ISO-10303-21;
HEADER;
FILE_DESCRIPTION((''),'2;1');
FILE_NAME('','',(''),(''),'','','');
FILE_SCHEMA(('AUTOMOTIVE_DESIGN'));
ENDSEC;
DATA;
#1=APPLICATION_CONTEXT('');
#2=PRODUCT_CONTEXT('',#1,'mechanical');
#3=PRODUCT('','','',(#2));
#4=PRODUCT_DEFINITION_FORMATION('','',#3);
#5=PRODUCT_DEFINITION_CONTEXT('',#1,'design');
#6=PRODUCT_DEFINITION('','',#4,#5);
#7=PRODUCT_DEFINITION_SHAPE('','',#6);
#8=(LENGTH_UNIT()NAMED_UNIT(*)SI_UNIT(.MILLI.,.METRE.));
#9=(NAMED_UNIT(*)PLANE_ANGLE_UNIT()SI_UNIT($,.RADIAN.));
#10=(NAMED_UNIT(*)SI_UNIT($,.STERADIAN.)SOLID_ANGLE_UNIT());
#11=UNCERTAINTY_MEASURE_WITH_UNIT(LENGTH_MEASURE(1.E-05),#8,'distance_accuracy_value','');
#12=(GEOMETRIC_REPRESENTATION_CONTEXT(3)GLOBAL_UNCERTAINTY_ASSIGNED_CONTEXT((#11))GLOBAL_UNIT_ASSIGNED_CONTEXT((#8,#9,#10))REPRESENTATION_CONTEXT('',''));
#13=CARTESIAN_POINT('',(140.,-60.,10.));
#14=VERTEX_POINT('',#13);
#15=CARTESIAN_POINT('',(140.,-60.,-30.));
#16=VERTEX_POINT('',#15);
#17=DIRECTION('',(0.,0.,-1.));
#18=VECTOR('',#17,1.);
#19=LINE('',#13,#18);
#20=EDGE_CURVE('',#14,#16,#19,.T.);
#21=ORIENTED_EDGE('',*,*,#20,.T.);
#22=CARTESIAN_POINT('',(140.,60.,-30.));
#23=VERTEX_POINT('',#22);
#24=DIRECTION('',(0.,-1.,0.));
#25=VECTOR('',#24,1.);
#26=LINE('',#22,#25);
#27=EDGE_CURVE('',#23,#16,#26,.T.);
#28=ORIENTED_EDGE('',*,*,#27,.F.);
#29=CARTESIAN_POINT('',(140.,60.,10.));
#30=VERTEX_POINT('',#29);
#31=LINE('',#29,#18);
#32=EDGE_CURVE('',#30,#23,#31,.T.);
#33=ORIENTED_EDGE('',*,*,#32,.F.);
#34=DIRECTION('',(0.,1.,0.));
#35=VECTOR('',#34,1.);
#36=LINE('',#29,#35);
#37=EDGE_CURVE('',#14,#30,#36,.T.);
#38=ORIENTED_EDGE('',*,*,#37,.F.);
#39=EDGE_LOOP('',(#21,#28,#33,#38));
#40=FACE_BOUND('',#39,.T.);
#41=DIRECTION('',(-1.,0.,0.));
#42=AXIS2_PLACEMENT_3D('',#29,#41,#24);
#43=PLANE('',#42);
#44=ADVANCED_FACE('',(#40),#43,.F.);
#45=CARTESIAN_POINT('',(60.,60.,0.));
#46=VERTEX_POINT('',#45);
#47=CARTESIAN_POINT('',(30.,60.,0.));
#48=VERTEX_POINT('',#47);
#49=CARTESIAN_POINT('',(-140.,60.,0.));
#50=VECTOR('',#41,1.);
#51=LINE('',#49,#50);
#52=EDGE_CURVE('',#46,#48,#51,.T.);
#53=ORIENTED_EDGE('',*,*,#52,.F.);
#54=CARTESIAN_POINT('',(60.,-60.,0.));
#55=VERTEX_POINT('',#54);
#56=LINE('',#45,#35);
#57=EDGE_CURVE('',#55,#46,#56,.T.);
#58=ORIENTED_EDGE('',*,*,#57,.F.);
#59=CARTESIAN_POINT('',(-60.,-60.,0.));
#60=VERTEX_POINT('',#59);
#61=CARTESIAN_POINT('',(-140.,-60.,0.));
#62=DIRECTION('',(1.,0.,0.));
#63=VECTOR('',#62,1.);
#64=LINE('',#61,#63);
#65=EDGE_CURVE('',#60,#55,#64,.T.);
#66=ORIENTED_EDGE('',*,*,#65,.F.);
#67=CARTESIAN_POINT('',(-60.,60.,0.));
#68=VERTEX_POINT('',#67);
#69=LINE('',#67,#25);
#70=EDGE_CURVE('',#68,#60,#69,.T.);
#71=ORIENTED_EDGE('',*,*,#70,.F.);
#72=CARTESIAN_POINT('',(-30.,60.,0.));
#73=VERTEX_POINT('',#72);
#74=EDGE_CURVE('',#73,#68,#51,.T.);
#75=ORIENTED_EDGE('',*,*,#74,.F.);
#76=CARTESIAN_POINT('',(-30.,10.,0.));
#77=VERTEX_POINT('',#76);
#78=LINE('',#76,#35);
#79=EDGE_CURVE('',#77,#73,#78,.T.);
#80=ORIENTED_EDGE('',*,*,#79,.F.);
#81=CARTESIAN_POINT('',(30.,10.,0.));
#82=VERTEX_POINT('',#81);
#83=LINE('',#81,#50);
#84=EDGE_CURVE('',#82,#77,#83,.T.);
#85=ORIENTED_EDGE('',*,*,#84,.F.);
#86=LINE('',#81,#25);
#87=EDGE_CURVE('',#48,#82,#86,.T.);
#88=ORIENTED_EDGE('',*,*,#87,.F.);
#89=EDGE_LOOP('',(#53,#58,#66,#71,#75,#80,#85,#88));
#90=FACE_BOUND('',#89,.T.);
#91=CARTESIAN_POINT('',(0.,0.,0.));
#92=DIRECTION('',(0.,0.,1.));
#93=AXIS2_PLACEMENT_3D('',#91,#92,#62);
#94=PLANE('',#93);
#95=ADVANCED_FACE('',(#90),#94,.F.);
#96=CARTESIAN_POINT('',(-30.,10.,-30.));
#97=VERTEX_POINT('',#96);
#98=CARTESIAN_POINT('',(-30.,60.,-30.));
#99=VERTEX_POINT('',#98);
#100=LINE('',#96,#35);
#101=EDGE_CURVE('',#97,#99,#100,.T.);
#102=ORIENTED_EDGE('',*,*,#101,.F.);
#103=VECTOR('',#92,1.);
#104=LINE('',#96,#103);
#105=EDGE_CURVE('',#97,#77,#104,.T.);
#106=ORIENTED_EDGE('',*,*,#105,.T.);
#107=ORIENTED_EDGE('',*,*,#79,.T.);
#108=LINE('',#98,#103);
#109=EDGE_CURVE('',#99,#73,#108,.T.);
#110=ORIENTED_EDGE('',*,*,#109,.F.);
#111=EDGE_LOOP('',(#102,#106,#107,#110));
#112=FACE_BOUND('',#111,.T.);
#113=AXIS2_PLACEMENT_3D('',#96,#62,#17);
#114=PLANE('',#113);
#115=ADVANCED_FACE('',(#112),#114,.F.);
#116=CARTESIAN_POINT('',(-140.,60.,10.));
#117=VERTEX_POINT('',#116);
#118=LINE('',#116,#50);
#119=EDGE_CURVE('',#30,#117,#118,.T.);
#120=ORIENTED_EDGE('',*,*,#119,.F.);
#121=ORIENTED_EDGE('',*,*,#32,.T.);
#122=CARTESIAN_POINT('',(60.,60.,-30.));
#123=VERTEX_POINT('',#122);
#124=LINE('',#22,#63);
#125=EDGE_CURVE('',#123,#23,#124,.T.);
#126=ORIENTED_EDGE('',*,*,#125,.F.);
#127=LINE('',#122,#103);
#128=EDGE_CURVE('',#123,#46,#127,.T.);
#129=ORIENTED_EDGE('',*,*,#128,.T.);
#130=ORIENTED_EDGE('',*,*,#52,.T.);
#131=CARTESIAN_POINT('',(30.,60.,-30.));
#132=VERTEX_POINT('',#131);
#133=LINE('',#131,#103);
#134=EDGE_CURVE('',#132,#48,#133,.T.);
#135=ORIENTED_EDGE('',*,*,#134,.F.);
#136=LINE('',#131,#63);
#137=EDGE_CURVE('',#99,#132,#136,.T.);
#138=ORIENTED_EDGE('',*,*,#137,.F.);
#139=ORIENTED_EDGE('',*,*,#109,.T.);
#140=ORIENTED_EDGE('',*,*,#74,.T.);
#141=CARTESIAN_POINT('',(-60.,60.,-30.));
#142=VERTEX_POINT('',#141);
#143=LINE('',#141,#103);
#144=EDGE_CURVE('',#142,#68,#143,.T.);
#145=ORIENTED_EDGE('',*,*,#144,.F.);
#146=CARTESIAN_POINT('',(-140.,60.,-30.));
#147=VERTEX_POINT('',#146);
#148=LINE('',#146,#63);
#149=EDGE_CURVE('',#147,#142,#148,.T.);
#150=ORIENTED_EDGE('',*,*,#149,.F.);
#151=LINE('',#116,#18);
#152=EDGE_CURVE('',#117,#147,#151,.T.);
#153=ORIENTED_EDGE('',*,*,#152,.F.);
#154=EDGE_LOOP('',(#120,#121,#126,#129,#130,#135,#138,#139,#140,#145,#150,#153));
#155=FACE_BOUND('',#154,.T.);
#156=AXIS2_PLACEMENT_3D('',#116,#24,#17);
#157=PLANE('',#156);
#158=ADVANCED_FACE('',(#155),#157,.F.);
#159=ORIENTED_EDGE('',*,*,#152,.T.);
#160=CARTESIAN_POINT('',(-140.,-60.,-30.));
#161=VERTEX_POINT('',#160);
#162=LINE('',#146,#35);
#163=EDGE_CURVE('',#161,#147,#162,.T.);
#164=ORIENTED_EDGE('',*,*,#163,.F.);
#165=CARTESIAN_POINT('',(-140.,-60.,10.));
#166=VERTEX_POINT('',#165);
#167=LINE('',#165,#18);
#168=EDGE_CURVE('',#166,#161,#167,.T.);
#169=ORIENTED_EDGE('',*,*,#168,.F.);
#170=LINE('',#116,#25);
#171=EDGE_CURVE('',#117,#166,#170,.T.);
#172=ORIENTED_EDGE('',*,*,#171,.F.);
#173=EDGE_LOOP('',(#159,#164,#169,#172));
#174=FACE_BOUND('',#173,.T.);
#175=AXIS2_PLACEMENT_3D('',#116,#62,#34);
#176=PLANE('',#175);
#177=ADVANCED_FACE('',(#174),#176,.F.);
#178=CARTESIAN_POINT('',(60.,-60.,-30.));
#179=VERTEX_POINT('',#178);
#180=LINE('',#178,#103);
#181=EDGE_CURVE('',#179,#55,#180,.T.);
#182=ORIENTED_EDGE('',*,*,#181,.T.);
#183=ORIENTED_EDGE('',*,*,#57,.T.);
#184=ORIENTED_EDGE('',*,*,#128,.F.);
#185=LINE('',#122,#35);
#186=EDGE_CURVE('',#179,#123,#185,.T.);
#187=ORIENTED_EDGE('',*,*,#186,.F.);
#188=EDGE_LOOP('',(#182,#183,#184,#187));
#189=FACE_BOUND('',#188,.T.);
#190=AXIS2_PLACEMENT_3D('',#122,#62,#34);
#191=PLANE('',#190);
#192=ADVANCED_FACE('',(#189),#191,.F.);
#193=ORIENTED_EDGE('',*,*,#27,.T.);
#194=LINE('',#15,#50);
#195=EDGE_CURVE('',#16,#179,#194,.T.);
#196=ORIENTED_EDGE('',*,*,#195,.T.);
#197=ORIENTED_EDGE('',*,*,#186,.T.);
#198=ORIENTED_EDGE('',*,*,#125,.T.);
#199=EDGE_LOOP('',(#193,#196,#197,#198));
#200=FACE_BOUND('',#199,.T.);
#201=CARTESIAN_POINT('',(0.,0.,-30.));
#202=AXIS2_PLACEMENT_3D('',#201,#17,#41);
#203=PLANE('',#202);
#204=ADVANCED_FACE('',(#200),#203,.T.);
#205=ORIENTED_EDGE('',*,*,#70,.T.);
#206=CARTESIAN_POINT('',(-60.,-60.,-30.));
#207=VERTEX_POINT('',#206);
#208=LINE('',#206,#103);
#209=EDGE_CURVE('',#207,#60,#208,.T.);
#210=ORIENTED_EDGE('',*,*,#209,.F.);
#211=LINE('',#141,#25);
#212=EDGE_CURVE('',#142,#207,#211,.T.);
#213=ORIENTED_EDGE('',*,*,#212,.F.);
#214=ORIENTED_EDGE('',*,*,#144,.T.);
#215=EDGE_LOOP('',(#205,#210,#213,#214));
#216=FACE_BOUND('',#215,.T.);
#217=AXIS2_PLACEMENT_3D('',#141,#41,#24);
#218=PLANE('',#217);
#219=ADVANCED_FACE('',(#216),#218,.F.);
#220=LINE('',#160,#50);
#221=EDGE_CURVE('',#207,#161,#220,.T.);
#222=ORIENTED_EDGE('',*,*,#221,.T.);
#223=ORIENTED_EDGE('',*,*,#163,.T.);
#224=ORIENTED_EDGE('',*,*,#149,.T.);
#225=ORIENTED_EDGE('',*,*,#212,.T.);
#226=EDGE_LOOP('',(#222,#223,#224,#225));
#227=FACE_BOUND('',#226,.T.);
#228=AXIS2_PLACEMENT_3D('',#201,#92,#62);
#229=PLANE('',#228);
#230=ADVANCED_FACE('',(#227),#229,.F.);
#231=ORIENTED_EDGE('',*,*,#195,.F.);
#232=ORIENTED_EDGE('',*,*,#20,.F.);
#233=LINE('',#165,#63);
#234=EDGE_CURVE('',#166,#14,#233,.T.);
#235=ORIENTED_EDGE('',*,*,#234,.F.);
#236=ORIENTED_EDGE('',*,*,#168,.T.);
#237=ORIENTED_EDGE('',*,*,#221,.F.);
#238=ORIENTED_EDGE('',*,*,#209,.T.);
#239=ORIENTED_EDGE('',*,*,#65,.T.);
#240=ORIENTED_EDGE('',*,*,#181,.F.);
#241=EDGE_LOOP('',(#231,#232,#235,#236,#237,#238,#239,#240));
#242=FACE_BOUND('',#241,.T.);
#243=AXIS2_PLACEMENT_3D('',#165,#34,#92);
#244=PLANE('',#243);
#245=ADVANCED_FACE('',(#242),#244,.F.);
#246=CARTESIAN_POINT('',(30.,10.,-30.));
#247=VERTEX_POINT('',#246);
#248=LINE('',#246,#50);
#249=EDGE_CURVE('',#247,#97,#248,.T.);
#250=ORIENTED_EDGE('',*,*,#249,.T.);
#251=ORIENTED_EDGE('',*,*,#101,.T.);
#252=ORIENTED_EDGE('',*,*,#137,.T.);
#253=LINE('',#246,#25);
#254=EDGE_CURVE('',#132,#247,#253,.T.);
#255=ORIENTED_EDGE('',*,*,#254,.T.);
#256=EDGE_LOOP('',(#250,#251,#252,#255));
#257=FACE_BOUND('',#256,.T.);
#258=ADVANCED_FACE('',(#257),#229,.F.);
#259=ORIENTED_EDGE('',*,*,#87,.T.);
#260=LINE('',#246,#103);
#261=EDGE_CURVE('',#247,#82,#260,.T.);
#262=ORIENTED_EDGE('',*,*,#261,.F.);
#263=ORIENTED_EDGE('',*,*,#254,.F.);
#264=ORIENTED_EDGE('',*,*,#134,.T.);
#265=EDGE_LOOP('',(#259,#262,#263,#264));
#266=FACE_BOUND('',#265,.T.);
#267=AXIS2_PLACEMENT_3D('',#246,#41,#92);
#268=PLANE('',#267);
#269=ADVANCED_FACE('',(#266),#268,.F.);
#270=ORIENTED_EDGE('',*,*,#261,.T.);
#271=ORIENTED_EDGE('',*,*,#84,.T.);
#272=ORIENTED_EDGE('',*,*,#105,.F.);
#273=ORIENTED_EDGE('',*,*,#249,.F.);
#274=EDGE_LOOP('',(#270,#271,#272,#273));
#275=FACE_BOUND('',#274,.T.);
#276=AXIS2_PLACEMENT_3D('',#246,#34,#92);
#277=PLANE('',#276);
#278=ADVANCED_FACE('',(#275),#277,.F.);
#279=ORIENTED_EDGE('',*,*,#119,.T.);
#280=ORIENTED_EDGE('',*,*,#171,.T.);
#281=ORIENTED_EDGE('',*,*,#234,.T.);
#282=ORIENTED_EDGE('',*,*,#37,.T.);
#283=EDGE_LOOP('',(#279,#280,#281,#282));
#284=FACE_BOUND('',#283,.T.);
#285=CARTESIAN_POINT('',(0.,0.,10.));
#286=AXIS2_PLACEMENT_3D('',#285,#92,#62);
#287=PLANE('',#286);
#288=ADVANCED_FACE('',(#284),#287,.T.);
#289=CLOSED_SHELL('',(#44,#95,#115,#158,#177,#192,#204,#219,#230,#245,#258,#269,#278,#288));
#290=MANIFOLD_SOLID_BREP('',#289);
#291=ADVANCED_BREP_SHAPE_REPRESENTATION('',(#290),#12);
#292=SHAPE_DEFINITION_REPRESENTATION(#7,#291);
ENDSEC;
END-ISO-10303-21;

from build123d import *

# Parameters (mm, degrees)
SKETCH_1_W      = 280
SKETCH_1_H      = 120
EXTRUDE_1_DEPTH = 10
SKETCH_2_W      = 60
SKETCH_2_H      = 50
EXTRUDE_2_DEPTH = 30
SKETCH_3_W      = 80
SKETCH_3_H      = 120
EXTRUDE_3_DEPTH = 30


with BuildPart() as part:
    # 스케치1 → 보스-돌출1 (new body)
    with BuildSketch(Plane.XY):
        Rectangle(SKETCH_1_W, SKETCH_1_H)
    extrude(amount=EXTRUDE_1_DEPTH)

    # 스케치2 → 보스-돌출2 (add)
    with BuildSketch(Plane(origin=(0, 0, 0), x_dir=(-1, 0, 0), z_dir=(0, 0, -1))):
        with Locations((0, 35)):
            Rectangle(SKETCH_2_W, SKETCH_2_H)
    extrude(amount=EXTRUDE_2_DEPTH)

    # 스케치3 → 보스-돌출3 (add)
    with BuildSketch(Plane(origin=(0, 0, 0), x_dir=(-1, 0, 0), z_dir=(0, 0, -1))):
        with Locations((-100, 0)):
            Rectangle(SKETCH_3_W, SKETCH_3_H)
        with Locations((100, 0)):
            Rectangle(SKETCH_3_W, SKETCH_3_H)
    extrude(amount=EXTRUDE_3_DEPTH)


solid = part.part
